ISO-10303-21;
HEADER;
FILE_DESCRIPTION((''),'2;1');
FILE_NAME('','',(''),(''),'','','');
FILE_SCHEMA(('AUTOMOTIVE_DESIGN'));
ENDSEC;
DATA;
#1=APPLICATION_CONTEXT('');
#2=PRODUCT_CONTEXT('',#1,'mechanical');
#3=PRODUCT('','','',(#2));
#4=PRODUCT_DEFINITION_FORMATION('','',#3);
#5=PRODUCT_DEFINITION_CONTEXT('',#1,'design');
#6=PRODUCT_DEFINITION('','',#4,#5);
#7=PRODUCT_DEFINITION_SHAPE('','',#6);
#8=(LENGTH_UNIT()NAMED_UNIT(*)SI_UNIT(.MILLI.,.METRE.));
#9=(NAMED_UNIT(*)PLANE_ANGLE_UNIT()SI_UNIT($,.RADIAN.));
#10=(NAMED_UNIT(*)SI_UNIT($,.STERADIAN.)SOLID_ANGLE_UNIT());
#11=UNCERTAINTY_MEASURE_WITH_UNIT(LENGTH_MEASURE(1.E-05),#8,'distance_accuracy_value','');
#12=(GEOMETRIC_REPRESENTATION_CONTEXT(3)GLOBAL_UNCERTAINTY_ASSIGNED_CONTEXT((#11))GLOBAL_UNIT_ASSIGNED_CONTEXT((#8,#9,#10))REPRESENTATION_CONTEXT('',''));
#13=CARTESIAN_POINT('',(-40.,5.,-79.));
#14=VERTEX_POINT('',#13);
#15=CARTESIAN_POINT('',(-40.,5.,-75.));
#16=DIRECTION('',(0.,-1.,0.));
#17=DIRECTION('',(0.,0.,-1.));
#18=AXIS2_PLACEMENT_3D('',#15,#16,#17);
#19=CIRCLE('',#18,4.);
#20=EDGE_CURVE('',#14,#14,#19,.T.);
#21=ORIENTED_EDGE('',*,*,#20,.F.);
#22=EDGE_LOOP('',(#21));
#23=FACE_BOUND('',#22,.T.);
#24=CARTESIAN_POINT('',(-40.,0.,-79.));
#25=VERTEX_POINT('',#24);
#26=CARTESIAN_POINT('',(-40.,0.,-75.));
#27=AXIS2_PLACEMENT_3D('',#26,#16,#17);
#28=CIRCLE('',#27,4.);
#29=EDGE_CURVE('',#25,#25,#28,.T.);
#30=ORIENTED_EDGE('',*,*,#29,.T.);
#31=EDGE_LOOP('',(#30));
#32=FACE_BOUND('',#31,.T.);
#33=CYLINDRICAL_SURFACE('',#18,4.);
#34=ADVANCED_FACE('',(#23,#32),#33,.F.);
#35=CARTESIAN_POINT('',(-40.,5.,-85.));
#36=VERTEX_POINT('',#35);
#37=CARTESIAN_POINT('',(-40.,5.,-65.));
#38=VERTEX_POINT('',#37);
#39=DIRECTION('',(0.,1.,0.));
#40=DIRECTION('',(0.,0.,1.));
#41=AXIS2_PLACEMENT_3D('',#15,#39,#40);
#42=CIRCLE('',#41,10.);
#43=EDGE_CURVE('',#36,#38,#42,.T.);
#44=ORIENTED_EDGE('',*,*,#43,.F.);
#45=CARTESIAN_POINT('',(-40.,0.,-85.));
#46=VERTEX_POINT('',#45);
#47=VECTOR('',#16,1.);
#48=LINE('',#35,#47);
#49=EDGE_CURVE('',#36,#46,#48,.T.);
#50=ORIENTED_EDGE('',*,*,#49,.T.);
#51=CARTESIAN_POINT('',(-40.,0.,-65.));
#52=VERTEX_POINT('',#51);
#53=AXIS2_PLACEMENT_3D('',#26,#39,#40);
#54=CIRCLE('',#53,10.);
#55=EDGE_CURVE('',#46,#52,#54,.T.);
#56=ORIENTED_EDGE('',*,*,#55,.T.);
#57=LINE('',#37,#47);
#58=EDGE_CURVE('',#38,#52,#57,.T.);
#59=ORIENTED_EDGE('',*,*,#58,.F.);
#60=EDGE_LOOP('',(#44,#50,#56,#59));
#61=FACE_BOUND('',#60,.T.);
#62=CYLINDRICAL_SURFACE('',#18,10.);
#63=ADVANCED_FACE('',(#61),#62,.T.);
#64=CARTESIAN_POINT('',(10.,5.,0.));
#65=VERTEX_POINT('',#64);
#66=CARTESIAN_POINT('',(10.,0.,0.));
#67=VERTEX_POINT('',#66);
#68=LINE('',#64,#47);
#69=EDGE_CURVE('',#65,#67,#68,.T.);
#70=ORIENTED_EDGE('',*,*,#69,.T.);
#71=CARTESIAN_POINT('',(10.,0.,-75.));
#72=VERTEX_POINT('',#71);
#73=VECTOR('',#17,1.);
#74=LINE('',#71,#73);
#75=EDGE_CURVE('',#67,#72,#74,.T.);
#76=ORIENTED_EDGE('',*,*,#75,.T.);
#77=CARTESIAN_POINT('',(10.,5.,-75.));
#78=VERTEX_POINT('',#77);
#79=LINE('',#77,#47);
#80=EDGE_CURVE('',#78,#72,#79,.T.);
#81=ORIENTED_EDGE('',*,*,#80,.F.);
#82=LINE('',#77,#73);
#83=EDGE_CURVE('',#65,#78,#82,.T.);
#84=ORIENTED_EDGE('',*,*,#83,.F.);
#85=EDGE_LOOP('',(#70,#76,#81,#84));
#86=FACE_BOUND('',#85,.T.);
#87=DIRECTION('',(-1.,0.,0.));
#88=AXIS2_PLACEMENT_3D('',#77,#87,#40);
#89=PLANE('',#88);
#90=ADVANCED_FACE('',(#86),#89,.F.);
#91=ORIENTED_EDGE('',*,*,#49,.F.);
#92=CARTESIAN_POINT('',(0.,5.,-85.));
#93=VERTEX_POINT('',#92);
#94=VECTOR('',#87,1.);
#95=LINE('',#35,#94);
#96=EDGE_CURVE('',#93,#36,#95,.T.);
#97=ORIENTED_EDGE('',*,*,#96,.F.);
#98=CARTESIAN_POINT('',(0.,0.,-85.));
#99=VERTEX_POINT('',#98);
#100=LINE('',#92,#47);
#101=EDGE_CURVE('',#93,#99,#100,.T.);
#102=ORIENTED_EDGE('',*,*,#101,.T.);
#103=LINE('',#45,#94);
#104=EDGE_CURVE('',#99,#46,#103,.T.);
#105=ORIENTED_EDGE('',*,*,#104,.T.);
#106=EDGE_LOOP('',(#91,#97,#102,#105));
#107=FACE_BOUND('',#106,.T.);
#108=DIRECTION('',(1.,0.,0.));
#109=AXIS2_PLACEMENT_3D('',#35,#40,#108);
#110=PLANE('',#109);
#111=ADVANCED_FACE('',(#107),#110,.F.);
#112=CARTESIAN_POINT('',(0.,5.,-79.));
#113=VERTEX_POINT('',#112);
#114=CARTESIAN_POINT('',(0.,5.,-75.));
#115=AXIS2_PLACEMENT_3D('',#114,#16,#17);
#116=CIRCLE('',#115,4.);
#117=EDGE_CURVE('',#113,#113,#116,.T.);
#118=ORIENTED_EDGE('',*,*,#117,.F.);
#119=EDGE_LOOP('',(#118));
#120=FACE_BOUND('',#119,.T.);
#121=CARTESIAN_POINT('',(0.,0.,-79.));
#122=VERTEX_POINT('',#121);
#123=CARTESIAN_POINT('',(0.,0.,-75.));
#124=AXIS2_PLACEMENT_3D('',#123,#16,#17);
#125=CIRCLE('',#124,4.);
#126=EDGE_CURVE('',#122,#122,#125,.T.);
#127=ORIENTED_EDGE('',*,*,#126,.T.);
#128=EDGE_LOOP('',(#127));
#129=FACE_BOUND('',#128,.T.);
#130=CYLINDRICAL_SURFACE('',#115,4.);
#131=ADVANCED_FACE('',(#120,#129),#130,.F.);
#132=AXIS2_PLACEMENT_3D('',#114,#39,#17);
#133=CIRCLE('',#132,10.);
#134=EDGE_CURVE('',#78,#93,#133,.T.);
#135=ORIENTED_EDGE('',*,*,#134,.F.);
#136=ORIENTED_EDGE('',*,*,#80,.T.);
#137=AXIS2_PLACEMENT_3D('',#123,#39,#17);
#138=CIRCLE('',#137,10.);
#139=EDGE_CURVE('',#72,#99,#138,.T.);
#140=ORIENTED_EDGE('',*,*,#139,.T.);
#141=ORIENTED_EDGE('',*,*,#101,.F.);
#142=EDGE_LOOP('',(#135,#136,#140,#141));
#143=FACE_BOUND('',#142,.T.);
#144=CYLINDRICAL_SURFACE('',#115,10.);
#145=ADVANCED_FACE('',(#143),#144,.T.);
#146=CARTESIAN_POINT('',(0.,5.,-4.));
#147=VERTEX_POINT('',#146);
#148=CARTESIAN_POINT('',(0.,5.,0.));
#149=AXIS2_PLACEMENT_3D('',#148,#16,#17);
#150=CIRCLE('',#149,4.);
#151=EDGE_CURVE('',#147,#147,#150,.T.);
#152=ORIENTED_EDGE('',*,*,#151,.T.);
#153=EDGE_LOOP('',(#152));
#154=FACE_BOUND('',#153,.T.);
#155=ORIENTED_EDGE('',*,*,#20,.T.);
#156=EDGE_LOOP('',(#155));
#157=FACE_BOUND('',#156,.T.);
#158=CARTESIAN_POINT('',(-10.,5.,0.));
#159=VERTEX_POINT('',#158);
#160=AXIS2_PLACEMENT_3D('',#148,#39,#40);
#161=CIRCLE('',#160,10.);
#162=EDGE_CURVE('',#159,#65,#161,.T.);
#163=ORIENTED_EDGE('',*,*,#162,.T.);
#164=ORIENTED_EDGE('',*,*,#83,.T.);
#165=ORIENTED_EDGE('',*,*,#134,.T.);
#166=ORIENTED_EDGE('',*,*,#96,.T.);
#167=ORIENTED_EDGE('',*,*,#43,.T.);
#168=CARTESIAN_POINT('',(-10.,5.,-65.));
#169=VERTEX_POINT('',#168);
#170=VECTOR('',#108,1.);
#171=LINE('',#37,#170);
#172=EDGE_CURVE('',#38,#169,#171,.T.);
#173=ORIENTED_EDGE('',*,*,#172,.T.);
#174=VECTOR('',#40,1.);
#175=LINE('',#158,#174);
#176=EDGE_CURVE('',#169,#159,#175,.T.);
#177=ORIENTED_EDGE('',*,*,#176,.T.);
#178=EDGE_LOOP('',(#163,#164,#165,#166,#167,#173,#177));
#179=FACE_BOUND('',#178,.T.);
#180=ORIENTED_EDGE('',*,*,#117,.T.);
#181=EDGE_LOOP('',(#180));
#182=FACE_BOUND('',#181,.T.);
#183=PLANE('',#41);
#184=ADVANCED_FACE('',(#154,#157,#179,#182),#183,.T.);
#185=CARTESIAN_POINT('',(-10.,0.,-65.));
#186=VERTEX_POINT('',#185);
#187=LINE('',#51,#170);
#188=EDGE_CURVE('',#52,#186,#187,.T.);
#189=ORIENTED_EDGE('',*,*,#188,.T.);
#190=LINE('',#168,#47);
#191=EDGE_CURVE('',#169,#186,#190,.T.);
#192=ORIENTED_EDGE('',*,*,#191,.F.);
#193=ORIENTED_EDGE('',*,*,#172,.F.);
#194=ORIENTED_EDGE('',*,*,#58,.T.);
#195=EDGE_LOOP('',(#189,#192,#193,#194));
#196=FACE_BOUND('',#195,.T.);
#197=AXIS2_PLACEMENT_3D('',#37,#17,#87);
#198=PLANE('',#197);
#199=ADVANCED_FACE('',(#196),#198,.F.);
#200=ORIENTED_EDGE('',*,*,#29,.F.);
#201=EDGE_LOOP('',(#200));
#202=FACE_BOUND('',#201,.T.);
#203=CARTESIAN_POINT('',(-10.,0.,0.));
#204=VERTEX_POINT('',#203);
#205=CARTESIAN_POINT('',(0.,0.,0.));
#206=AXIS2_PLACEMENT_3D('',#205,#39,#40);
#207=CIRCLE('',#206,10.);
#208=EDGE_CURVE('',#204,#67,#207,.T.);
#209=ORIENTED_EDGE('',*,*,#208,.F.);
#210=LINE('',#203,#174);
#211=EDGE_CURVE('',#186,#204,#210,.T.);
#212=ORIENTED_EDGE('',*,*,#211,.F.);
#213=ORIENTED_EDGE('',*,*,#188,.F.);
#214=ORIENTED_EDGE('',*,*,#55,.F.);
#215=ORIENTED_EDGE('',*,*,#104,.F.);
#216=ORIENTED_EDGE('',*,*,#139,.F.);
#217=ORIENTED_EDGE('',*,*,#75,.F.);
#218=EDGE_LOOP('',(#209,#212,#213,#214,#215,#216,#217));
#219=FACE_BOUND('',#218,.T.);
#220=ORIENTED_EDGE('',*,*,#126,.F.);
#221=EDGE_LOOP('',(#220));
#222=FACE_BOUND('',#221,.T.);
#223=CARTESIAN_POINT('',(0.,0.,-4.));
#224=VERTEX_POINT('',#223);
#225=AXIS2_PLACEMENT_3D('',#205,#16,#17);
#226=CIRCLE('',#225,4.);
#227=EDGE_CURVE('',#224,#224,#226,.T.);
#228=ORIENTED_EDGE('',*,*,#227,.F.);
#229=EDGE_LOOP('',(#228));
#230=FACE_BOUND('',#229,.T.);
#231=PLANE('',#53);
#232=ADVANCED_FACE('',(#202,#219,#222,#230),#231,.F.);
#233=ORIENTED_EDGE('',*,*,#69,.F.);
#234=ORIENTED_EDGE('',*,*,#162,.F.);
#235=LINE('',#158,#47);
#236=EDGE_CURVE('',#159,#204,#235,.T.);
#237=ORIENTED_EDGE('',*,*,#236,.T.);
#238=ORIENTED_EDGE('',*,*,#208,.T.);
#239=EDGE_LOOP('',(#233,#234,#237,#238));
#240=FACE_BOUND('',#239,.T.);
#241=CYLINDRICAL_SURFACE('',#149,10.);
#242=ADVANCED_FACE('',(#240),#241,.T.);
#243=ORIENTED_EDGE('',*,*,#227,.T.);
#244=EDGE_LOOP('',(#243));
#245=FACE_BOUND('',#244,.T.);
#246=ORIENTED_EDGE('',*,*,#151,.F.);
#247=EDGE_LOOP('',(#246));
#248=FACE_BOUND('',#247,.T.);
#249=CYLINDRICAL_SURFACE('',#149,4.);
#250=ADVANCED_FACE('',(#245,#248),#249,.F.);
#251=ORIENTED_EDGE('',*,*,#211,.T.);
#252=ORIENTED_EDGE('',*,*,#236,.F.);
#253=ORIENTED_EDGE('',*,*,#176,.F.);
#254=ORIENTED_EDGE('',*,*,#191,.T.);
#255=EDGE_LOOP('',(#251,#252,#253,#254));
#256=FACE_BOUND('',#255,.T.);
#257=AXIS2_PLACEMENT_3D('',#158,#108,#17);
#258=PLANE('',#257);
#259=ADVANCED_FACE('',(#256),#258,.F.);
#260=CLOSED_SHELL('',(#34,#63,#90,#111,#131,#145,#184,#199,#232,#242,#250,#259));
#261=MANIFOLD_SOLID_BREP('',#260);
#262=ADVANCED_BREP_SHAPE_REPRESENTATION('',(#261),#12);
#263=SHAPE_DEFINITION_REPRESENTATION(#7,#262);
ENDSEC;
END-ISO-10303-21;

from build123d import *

# Parameters (mm, degrees)
BOSS_EXTRUDE1_DEPTH = 5
SKETCH2_R           = 4
CUT_EXTRUDE1_DEPTH  = 5


with BuildPart() as part:
    # Sketch1 → Boss-Extrude1 (new body)
    with BuildSketch(Plane(origin=(0, 0, 0), x_dir=(1, 0, 0), z_dir=(0, 1, 0))):
        with BuildLine():
            Line((-40, 85), (0, 85))
            ThreePointArc((0, 85), (7.071067812, 82.071067812), (10, 75))
            Line((10, 75), (10, 0))
            ThreePointArc((10, 0), (0, -10), (-10, 0))
            Line((-10, 0), (-10, 65))
            Line((-10, 65), (-40, 65))
            ThreePointArc((-40, 65), (-50, 75), (-40, 85))
        make_face()
    extrude(amount=BOSS_EXTRUDE1_DEPTH)

    # Sketch2 → Cut-Extrude1 (cut)
    with BuildSketch(Plane.XZ):
        Circle(SKETCH2_R)
        with Locations((-40, -75)):
            Circle(SKETCH2_R)
        with Locations((0, -75)):
            Circle(SKETCH2_R)
    extrude(amount=-CUT_EXTRUDE1_DEPTH, mode=Mode.SUBTRACT)


solid = part.part
